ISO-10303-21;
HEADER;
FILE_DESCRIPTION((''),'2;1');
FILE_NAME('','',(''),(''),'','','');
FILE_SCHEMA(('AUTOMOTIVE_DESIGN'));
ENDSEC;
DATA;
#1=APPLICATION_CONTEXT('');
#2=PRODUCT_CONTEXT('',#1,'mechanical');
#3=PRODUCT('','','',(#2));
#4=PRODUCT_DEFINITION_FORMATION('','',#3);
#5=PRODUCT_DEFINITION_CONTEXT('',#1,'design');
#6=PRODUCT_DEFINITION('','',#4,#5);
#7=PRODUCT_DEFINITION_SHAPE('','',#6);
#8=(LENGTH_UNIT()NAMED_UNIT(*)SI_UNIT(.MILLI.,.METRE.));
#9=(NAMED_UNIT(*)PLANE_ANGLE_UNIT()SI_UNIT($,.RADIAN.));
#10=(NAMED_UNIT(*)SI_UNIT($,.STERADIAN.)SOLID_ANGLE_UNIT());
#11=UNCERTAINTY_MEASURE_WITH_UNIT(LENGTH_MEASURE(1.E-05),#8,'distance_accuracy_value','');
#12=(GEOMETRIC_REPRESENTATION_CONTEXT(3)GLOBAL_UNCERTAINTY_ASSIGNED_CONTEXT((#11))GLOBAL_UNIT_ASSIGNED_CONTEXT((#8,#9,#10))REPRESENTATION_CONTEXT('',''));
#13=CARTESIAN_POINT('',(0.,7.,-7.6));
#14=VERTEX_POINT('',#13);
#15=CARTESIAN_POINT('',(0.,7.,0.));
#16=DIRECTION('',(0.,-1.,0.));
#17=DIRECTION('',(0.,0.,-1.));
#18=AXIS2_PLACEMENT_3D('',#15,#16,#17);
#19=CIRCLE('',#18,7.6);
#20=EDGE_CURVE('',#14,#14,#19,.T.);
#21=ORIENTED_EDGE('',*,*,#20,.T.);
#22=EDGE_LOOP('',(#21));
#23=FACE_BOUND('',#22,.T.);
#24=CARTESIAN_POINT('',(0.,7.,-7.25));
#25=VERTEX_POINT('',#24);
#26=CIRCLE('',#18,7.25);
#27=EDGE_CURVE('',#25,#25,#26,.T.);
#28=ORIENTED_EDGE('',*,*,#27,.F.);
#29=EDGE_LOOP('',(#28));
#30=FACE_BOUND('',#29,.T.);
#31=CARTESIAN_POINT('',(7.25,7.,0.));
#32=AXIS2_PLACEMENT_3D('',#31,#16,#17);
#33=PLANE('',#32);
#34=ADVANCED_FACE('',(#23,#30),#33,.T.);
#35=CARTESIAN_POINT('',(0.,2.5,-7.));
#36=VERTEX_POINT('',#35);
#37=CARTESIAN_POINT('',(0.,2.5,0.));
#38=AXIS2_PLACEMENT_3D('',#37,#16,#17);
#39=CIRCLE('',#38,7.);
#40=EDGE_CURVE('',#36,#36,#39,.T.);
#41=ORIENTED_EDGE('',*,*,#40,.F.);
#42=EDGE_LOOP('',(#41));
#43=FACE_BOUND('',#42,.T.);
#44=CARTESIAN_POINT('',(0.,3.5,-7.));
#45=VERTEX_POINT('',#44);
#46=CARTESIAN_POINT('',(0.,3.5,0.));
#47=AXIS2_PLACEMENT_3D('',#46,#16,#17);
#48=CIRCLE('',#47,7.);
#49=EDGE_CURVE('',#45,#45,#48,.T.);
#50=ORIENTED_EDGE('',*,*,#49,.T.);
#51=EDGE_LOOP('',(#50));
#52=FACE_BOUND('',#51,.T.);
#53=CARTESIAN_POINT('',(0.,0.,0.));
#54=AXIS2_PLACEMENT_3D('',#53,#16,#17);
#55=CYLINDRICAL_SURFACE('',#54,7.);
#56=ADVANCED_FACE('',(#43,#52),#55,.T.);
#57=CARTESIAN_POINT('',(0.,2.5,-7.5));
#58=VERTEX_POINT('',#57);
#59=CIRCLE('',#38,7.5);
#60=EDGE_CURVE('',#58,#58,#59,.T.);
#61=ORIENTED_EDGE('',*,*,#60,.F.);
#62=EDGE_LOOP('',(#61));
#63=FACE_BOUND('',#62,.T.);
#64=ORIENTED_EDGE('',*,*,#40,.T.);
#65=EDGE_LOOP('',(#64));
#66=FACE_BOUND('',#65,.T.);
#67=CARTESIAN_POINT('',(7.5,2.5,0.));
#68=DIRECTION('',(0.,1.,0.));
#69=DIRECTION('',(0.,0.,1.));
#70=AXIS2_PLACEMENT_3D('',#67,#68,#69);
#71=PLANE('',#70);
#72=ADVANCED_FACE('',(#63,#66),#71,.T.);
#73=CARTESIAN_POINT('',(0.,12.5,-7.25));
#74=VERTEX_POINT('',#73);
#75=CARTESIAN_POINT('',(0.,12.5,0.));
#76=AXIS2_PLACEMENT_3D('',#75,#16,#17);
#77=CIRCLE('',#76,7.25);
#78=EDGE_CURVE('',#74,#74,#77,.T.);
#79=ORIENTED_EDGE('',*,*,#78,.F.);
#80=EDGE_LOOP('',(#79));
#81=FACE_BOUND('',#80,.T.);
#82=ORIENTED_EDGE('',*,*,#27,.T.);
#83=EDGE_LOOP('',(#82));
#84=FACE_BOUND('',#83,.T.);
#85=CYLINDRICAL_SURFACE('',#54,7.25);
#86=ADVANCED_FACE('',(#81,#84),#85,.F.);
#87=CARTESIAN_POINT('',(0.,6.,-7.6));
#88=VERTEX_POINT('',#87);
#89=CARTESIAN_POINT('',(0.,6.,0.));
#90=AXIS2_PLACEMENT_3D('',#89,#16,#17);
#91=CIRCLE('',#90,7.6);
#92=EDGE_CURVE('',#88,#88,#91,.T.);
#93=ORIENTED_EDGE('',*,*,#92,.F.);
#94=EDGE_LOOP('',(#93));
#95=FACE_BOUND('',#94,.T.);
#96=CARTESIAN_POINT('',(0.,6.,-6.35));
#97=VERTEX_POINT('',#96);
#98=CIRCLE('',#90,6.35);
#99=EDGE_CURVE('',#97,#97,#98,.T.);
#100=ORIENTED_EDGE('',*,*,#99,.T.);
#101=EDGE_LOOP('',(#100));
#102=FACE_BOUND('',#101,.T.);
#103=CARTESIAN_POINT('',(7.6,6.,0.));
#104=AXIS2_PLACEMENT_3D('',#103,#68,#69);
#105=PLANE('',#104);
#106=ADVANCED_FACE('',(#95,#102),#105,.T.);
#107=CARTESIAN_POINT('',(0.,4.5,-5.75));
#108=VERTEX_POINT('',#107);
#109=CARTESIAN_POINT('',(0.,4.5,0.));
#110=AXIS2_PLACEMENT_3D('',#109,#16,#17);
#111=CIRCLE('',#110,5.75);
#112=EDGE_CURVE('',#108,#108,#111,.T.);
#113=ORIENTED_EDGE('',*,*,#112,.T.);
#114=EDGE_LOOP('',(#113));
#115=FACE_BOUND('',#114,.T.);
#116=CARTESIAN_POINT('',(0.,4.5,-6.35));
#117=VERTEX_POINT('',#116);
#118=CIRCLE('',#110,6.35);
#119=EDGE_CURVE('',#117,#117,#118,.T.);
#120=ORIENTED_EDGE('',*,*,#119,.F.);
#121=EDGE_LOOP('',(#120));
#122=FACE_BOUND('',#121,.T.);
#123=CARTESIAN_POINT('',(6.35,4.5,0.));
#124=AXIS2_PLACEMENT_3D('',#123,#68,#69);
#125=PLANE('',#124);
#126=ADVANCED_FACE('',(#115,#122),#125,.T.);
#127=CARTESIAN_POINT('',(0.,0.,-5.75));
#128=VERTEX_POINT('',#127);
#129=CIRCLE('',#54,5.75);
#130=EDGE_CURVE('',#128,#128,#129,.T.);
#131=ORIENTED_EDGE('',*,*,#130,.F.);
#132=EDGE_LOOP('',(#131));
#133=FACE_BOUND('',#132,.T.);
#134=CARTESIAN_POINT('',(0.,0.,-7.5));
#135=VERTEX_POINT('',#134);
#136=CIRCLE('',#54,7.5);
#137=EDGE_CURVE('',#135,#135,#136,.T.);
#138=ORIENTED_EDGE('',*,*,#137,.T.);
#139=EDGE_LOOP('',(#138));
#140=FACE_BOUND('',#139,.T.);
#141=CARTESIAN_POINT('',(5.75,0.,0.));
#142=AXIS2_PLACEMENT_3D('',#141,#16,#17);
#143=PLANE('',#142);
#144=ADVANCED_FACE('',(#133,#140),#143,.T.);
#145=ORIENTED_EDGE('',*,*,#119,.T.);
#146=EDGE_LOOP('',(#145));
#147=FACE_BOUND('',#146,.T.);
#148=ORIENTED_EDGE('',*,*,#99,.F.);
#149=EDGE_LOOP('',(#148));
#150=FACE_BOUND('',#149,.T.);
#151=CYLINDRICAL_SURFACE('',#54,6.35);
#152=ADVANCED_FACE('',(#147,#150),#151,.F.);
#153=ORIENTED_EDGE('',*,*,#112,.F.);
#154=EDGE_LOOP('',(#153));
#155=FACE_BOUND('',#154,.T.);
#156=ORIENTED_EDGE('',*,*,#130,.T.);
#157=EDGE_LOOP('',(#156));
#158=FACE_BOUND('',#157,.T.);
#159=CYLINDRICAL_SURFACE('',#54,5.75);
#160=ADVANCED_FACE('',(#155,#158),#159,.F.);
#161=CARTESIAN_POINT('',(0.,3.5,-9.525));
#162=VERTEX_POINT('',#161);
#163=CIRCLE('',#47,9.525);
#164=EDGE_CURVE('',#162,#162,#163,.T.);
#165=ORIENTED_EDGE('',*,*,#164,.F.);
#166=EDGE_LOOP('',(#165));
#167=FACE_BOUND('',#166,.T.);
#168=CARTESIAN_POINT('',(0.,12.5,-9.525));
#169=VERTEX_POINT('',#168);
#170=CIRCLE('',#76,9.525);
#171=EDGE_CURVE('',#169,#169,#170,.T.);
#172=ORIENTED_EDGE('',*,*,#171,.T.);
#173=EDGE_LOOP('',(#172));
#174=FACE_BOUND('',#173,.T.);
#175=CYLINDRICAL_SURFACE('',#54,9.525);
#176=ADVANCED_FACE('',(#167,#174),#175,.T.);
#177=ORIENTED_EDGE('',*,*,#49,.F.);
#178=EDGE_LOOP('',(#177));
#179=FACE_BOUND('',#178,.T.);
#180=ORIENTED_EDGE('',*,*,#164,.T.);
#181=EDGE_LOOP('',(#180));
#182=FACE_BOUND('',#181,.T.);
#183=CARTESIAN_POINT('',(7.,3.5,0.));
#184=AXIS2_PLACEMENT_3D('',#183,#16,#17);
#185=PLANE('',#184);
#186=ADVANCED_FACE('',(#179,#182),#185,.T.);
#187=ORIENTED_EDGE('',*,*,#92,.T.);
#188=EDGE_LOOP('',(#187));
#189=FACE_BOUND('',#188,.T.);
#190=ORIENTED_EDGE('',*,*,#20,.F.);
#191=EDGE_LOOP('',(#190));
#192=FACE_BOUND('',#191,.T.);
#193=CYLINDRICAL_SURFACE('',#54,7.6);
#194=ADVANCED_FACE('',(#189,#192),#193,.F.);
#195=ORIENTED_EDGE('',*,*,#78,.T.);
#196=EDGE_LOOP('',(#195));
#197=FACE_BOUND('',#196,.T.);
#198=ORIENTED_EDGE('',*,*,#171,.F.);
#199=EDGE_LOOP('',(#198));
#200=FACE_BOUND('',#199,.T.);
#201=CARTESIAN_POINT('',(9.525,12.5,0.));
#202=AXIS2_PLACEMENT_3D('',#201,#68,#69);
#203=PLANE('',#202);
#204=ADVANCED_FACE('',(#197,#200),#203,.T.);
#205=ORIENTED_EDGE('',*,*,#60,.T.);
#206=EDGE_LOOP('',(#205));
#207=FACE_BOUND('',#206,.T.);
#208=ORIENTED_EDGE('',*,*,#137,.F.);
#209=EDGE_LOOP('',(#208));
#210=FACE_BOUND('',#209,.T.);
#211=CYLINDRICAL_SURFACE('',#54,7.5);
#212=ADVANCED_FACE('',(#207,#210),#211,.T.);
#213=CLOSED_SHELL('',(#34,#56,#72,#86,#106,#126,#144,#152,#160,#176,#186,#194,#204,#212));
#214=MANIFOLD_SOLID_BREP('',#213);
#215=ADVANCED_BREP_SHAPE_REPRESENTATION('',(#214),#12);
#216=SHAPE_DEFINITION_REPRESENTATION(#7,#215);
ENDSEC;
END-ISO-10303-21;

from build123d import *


with BuildPart() as part:
    # 草图1 → 旋转1 (revolve)
    with BuildSketch(Plane.XY, mode=Mode.PRIVATE) as revolve_1_sk:
        Polygon((5.75, 0), (7.5, 0), (7.5, 2.5), (7, 2.5), (7, 3.5), (9.525, 3.5), (9.525, 12.5), (7.25, 12.5), (7.25, 7), (7.6, 7), (7.6, 6), (6.35, 6), (6.35, 4.5), (5.75, 4.5), align=None)
    revolve(revolve_1_sk.sketch.rotate(Axis((0, 0, 0), (0, 1, 0)), 90), axis=Axis((0, 0, 0), (0, 1, 0)))  # turned: the seam where the file's is


solid = part.part
